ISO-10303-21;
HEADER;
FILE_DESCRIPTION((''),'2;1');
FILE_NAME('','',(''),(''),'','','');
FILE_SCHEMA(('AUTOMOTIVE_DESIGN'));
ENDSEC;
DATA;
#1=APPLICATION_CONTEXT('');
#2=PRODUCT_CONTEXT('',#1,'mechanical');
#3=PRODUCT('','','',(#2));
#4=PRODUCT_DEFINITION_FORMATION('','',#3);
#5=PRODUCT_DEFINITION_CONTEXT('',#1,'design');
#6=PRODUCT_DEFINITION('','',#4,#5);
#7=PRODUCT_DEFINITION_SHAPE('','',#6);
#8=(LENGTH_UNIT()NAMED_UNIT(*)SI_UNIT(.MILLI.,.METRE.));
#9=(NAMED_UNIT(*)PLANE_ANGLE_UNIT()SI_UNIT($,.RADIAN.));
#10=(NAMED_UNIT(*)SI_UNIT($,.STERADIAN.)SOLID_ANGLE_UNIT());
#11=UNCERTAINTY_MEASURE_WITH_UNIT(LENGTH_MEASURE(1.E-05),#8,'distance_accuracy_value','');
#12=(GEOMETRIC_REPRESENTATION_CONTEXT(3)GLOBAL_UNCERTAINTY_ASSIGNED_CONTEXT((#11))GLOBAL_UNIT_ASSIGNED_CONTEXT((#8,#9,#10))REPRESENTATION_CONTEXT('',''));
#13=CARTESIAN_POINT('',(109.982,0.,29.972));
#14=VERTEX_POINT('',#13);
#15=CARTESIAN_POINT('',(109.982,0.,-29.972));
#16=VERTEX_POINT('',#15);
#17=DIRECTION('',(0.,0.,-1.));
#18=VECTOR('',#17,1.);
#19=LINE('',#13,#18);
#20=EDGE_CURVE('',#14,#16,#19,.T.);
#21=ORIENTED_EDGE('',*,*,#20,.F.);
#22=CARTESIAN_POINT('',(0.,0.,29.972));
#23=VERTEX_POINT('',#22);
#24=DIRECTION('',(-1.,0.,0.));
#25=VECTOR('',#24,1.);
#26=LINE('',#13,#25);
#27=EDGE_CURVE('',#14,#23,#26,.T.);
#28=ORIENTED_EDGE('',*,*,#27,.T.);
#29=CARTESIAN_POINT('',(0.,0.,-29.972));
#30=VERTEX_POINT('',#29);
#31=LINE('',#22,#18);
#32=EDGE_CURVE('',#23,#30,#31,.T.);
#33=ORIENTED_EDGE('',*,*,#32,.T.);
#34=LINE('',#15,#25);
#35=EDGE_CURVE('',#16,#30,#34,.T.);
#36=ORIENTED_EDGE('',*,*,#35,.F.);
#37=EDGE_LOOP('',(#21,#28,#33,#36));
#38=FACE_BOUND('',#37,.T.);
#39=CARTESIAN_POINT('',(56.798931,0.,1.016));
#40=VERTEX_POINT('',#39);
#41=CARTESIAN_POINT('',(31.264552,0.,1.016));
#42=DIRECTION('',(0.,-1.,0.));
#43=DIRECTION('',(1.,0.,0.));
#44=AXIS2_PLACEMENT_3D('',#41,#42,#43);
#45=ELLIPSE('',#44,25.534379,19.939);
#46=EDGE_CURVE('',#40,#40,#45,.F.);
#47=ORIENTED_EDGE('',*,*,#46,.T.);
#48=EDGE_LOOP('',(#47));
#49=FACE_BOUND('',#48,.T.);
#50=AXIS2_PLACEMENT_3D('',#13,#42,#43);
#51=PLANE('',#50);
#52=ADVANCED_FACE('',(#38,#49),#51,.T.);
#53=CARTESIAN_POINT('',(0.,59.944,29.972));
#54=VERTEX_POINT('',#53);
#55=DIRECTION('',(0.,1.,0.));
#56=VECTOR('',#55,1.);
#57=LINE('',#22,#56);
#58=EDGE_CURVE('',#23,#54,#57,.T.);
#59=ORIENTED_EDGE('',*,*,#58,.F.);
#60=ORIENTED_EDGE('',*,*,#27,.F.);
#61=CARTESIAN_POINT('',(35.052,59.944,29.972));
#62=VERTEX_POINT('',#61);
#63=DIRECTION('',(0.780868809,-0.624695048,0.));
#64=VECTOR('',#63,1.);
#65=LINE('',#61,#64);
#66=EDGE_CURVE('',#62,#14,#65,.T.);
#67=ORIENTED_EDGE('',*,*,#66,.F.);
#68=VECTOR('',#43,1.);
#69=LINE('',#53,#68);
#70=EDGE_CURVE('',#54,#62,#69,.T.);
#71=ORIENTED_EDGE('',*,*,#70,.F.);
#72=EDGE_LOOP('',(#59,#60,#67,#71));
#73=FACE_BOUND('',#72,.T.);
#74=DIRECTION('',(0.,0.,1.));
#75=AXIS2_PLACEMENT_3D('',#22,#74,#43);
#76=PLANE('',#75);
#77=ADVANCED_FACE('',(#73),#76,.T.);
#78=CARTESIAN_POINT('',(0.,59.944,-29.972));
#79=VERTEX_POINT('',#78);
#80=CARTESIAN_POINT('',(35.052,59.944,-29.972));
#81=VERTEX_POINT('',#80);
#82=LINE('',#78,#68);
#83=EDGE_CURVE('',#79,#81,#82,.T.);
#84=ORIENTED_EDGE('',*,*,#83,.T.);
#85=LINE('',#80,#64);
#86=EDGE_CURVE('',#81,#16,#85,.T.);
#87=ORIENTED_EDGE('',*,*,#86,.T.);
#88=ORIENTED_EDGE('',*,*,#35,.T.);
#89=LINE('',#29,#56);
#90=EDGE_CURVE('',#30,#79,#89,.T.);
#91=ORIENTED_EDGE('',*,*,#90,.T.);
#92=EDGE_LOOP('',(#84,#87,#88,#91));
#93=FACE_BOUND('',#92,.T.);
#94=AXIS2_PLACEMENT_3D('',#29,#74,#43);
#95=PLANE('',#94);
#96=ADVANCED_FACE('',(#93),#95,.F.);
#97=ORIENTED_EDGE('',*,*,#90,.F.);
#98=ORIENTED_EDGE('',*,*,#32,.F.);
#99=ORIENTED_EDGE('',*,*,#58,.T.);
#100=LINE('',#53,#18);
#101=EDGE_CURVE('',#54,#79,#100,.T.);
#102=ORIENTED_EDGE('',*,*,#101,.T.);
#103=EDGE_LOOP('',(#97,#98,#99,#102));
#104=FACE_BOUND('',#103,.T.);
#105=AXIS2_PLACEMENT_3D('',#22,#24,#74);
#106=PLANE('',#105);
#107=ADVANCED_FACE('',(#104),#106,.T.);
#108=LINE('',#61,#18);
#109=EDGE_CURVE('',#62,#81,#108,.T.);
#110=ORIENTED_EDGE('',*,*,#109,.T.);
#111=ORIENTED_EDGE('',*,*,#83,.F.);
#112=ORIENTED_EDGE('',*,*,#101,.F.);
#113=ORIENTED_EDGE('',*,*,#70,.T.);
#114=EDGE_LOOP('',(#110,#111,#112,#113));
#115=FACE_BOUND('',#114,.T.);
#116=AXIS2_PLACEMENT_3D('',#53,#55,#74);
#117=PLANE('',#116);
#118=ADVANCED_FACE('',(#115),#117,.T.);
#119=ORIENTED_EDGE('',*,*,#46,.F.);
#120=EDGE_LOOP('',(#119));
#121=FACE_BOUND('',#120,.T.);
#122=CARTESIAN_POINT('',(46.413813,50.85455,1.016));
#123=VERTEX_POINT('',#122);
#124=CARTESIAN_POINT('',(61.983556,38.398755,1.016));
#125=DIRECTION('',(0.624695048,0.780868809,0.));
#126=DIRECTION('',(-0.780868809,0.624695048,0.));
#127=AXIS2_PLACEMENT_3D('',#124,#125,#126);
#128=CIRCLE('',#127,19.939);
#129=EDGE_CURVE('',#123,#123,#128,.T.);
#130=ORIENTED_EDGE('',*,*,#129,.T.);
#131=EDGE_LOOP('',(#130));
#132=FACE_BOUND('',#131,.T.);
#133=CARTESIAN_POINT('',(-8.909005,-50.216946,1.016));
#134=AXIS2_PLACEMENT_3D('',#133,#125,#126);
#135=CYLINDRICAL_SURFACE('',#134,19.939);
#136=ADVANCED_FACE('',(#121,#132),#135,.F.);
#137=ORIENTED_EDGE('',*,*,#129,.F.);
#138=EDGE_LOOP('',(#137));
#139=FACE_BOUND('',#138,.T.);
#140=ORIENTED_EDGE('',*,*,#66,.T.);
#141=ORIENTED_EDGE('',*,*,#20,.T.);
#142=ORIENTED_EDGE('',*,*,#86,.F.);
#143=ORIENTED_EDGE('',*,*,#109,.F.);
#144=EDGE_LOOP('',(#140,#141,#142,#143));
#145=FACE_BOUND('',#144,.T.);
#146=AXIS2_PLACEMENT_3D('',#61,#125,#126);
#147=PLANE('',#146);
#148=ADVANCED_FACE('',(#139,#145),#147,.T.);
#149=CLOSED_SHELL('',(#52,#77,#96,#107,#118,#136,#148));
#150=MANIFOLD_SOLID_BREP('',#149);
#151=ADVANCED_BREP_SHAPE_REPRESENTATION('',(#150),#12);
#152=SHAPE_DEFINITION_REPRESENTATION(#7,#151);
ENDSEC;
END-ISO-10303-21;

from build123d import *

# Parameters (mm, degrees)
BOSS_EXTRUDE1_DEPTH = 29.972
CUT_EXTRUDE1_REACH  = 70.705
SKETCH2_R           = 19.939


with BuildPart() as part:
    # Sketch1 → Boss-Extrude1 (new body, symmetric)
    with BuildSketch(Plane.XY):
        Polygon((0, 0), (0, 59.944), (35.052, 59.944), (109.982, 0), align=None)
    extrude(amount=BOSS_EXTRUDE1_DEPTH, both=True)

    # Cut-Extrude1: up to this face of the body (flat: up to its plane)
    cut_extrude1_end = Plane(part.part.faces().sort_by_distance((54.991, 0, 0))[0])
    # Sketch2 → Cut-Extrude1 (cut, up to the picked face)
    with BuildSketch(Plane(origin=(42.919804878, 53.649756098, 0), x_dir=(0.780868809, -0.624695048, 0), z_dir=(0.624695048, 0.780868809, 0)), mode=Mode.PRIVATE) as cut_extrude1_sk1:
        with Locations((24.4135134, -1.016)):
            Circle(SKETCH2_R)
    cut_extrude1_tool1 = split(extrude(cut_extrude1_sk1.sketch, amount=-CUT_EXTRUDE1_REACH, mode=Mode.PRIVATE), bisect_by=cut_extrude1_end, keep=Keep.BOTH, mode=Mode.PRIVATE)
    add(cut_extrude1_tool1.solids().sort_by_distance((61.983556, 38.398755, 1.016))[0], mode=Mode.SUBTRACT)


solid = part.part
